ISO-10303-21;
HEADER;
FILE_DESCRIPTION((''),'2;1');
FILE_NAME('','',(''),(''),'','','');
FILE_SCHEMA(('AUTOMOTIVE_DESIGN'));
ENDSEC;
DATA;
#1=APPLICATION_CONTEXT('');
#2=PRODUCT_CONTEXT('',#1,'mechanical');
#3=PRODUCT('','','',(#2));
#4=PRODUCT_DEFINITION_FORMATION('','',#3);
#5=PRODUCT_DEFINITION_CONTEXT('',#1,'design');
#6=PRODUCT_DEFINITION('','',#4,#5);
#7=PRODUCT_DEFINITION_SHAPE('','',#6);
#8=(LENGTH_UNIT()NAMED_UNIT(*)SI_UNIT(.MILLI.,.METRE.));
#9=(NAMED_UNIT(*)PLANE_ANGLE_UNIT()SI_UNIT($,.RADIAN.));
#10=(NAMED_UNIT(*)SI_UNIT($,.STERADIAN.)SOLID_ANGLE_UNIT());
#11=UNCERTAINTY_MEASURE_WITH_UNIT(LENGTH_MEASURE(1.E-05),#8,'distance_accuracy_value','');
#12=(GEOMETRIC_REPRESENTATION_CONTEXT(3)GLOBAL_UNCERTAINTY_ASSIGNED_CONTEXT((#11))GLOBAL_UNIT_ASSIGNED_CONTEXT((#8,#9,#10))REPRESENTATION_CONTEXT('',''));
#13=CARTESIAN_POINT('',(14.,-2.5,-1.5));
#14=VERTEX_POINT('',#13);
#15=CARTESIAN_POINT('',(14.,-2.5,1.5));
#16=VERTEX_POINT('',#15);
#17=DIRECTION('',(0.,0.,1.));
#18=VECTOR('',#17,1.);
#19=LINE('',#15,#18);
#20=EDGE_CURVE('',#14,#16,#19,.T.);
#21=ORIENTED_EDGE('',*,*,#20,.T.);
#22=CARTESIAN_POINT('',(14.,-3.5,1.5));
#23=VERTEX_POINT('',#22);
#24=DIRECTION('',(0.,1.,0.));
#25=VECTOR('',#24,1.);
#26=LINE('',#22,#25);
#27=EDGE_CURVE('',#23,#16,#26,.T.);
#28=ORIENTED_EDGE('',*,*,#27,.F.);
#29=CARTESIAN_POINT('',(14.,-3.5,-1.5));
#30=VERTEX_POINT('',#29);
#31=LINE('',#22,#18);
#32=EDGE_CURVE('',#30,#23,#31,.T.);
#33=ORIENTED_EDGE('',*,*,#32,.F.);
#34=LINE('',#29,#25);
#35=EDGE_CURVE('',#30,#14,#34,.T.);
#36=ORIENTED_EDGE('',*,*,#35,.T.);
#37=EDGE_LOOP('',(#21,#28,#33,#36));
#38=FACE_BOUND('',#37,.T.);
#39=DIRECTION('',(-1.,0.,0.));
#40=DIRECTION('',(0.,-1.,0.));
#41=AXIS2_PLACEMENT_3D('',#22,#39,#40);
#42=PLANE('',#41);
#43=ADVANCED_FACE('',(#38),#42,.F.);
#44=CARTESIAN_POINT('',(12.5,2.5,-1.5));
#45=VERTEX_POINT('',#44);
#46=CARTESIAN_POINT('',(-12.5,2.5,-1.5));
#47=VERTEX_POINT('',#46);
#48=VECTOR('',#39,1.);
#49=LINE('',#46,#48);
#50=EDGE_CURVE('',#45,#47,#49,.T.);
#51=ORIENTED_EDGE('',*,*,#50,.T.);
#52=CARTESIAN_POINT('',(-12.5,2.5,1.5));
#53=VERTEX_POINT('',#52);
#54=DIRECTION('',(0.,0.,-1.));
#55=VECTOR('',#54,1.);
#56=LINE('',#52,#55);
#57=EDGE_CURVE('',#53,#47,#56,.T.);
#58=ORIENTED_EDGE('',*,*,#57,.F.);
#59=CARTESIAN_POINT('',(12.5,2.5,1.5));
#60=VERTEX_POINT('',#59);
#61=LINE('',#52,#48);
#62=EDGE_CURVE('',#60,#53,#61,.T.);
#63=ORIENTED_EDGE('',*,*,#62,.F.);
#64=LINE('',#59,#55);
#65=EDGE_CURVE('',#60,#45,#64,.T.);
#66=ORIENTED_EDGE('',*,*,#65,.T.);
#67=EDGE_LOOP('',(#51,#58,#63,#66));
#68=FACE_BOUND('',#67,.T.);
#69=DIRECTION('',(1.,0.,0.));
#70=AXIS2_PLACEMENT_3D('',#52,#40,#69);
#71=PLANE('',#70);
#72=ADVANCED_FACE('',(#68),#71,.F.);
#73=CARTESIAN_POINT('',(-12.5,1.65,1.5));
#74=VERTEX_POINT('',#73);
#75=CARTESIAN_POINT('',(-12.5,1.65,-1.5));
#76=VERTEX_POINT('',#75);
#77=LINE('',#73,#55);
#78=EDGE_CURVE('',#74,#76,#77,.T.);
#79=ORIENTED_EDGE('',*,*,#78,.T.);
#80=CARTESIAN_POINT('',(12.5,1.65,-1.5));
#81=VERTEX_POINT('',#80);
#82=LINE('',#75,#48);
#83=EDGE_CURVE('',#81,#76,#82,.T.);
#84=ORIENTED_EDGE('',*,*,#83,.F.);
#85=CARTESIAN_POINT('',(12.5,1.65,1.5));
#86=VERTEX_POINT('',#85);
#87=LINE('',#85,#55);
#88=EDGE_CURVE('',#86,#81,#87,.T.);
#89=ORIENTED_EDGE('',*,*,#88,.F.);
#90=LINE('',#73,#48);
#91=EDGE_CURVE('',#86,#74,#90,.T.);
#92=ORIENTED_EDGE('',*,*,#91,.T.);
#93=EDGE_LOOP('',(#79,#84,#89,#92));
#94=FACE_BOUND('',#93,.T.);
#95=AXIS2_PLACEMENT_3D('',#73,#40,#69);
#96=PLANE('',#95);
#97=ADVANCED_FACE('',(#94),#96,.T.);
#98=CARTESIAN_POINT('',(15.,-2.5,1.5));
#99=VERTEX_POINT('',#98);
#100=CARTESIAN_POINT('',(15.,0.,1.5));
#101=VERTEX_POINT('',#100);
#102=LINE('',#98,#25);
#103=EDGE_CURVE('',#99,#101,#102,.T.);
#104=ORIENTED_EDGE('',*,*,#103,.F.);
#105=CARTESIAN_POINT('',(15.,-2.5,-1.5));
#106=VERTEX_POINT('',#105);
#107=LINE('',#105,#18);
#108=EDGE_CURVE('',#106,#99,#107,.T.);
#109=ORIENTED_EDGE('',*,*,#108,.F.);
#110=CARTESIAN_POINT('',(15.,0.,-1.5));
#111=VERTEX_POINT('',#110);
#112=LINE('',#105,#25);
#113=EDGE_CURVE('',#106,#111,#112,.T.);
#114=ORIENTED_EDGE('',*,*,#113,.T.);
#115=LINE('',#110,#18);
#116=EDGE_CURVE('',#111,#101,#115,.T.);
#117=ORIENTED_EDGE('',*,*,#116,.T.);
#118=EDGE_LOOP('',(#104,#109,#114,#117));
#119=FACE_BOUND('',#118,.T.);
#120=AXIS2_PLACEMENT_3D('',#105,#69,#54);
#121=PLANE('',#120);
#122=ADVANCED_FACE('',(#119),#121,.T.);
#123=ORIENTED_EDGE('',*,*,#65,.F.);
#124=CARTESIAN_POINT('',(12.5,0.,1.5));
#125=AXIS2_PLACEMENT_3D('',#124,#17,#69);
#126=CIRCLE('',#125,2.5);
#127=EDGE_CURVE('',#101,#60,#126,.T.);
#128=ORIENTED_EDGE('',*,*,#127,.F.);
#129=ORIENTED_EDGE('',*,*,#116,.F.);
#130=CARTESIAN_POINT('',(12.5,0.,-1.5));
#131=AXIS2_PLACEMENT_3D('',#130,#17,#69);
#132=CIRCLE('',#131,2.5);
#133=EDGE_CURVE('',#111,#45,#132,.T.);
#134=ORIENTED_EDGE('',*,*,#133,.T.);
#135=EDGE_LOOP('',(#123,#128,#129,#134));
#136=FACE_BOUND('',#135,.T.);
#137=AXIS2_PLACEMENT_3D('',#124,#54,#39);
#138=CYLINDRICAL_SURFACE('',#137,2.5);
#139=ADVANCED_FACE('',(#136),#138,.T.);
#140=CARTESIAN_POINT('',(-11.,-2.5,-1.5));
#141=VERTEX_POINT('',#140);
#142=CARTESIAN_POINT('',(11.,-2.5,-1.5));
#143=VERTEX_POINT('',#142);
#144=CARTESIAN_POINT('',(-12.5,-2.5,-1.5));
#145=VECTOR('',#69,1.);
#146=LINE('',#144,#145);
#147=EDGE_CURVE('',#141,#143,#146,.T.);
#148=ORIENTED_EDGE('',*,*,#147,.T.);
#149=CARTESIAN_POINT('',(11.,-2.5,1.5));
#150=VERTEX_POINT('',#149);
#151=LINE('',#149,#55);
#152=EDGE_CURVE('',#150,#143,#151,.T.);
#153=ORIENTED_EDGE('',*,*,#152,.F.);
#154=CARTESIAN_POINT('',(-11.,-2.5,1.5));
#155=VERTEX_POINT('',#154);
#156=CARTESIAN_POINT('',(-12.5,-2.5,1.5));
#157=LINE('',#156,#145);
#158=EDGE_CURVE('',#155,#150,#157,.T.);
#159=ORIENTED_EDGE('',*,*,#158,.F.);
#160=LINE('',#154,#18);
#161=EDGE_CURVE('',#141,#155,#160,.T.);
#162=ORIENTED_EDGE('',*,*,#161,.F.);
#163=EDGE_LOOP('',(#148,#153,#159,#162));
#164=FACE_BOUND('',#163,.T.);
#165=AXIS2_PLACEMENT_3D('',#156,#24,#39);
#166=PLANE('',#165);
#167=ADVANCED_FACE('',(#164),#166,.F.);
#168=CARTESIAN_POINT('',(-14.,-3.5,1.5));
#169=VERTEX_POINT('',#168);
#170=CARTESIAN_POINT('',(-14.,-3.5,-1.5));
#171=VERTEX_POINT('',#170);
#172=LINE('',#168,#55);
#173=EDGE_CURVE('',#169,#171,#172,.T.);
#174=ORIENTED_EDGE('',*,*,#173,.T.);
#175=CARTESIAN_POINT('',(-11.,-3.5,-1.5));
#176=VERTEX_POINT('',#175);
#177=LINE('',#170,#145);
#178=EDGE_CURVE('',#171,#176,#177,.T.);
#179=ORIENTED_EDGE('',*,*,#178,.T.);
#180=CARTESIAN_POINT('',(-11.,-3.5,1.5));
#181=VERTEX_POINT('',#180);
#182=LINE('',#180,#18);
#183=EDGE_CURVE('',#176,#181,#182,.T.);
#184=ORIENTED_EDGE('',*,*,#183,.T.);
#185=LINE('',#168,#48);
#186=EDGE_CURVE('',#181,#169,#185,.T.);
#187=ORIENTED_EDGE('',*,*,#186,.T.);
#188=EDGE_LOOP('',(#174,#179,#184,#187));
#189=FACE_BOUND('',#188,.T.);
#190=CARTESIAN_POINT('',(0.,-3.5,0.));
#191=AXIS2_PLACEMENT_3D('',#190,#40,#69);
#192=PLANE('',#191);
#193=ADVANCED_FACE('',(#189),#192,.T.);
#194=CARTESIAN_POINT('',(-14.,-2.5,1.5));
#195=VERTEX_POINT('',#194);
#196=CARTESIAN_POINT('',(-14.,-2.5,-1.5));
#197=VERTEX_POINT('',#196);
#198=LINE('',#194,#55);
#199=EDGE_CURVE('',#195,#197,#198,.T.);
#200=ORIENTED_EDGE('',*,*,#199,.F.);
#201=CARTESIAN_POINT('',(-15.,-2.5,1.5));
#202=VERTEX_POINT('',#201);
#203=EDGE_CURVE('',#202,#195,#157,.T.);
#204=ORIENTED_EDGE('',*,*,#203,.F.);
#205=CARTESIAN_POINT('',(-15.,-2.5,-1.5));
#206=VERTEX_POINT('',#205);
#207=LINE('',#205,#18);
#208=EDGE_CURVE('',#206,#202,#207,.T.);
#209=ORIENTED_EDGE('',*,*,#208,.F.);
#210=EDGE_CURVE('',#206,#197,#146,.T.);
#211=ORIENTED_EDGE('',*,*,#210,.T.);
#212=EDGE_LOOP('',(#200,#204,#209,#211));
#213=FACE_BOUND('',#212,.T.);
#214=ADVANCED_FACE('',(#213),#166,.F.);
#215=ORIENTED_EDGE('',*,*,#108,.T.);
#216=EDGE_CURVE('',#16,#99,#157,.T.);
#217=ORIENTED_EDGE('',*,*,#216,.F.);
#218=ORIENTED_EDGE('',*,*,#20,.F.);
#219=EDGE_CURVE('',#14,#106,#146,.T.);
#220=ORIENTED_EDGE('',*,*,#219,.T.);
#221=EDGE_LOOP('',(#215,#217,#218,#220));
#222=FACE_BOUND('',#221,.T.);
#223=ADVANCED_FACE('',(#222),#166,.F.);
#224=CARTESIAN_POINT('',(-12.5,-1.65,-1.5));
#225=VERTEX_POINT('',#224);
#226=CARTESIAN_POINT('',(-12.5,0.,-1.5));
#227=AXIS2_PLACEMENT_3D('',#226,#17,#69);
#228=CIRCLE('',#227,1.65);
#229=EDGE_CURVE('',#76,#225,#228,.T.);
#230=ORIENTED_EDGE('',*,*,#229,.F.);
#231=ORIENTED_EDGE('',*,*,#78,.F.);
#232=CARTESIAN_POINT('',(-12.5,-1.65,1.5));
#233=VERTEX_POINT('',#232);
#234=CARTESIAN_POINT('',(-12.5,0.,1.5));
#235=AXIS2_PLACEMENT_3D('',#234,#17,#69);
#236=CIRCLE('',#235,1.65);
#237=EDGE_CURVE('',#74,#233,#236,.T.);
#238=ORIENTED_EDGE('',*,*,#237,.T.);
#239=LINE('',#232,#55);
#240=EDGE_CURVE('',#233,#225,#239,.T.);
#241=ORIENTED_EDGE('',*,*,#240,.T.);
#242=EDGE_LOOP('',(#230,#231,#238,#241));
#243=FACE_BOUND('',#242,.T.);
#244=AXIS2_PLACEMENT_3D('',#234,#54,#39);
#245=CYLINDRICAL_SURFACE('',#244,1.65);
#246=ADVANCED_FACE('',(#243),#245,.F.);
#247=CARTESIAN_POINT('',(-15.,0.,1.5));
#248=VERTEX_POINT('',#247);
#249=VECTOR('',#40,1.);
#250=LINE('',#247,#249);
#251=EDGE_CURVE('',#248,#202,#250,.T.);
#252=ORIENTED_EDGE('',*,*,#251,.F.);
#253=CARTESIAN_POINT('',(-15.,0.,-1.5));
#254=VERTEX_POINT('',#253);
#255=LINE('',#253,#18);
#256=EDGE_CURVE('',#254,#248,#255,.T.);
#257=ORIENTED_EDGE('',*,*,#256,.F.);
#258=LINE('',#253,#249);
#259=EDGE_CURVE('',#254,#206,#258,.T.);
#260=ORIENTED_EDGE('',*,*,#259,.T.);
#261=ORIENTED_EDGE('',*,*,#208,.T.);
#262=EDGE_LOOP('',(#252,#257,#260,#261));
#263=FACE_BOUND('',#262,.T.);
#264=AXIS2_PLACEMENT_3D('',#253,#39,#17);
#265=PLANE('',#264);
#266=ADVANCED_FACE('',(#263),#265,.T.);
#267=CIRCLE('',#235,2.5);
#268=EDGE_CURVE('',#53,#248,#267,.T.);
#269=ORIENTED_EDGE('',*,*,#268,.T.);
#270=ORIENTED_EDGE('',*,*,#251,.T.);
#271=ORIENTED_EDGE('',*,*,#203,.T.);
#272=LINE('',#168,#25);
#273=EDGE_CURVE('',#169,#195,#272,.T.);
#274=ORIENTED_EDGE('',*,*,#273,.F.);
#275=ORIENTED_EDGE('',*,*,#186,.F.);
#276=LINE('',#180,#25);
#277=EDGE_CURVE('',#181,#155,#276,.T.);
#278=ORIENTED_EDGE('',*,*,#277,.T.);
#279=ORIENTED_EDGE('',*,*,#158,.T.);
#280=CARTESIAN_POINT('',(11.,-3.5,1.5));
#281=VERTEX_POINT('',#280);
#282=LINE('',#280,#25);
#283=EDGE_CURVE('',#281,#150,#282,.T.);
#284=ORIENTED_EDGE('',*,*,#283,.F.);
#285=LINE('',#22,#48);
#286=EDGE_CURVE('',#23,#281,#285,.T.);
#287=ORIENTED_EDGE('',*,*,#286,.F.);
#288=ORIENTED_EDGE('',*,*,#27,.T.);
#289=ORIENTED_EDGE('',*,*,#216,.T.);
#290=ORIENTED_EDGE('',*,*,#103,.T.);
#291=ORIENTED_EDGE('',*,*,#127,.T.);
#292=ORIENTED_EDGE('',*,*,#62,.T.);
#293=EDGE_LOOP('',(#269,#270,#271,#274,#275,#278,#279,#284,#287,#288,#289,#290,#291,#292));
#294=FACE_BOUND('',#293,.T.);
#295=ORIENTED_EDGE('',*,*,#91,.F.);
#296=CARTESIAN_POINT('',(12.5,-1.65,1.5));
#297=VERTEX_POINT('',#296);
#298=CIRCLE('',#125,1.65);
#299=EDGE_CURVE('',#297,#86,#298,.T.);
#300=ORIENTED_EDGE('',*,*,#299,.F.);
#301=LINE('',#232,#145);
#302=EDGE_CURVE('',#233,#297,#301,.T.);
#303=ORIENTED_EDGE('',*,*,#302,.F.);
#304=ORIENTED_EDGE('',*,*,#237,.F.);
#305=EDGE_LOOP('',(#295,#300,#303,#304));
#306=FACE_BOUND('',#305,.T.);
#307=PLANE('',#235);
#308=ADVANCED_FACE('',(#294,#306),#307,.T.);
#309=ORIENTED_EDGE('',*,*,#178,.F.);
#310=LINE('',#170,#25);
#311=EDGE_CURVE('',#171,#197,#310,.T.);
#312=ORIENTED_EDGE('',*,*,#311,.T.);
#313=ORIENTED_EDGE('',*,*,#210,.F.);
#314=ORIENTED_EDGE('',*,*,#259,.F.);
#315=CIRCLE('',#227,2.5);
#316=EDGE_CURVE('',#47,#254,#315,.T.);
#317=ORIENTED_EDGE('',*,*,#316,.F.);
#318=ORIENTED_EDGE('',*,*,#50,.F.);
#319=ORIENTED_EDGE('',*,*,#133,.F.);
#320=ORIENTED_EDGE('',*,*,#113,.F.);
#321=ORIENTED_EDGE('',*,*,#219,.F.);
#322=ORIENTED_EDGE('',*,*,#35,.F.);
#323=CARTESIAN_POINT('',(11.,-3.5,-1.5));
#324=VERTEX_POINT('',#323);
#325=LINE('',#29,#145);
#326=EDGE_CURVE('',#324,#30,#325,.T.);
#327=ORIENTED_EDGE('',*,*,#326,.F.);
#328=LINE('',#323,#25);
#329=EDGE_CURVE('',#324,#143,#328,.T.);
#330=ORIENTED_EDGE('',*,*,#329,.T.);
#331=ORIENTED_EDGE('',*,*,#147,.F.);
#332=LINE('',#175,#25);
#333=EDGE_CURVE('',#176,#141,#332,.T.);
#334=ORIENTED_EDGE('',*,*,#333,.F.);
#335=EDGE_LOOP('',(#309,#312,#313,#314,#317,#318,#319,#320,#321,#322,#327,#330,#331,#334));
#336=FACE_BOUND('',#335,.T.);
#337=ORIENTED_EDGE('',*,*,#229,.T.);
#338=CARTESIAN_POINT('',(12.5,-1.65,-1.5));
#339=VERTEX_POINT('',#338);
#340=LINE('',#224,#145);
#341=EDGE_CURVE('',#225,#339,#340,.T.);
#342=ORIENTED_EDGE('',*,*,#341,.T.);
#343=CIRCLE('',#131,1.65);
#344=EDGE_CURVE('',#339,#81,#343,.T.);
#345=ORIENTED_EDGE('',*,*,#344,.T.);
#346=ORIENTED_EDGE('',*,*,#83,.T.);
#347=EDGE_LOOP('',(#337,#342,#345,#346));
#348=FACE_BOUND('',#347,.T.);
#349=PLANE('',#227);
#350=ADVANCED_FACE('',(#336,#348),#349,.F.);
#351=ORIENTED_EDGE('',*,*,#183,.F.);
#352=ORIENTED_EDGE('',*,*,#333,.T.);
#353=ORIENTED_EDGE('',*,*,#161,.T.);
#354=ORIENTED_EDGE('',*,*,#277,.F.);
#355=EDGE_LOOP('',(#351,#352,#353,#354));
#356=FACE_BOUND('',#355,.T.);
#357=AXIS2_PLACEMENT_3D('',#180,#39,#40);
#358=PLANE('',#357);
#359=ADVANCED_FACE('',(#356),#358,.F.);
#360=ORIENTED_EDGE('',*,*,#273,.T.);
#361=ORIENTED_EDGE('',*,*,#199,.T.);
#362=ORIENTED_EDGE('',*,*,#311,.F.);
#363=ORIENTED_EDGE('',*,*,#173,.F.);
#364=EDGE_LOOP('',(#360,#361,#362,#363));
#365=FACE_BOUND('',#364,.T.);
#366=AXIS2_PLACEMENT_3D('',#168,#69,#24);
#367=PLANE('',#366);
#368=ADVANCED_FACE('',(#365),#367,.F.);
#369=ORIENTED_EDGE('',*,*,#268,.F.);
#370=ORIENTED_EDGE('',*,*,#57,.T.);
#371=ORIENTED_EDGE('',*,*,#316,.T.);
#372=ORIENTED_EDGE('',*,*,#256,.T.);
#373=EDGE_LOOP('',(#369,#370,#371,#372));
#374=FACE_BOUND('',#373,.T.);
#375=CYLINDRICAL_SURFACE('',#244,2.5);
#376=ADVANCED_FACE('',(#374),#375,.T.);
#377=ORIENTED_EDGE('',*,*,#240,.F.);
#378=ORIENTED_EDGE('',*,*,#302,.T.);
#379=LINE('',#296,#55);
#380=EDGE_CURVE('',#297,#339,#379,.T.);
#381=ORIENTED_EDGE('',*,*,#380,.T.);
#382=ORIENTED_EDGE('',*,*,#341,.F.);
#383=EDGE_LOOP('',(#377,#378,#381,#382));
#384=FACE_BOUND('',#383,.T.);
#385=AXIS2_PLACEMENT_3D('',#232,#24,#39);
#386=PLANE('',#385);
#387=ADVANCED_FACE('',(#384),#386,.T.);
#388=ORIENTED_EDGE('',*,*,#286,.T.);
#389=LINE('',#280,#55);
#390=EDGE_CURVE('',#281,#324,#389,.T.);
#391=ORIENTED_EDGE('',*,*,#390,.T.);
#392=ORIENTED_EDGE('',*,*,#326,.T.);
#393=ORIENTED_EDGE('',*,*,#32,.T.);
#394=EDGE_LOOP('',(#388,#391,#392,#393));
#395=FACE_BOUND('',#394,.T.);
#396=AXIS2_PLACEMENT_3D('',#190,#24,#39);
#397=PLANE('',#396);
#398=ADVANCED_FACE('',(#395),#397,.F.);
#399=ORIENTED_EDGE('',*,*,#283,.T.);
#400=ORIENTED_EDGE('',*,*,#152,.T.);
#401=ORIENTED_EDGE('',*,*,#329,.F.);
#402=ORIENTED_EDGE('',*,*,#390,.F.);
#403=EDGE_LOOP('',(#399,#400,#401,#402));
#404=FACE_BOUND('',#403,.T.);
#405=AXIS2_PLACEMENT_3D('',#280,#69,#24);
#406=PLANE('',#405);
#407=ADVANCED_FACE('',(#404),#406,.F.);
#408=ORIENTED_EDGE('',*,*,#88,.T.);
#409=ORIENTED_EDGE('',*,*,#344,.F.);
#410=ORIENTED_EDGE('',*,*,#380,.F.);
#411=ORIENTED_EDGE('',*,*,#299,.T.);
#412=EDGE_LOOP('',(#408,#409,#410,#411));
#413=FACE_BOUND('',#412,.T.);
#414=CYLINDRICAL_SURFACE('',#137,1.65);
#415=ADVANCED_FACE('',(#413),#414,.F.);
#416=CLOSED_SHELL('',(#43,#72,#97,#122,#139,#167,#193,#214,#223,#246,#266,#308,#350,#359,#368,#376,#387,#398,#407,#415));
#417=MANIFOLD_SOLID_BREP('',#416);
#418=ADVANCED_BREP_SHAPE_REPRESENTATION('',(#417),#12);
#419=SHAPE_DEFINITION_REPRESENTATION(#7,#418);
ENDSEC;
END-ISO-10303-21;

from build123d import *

# Parameters (mm, degrees)
BOSS_EXTRUDE1_DEPTH = 1.5
BOSS_EXTRUDE2_DEPTH = 3
SKETCH3_W           = 3
SKETCH3_H           = 3
BOSS_EXTRUDE3_DEPTH = 1


with BuildPart() as part:
    # Sketch1 → Boss-Extrude1 (new body, symmetric)
    with BuildSketch(Plane.XY):
        with BuildLine():
            Line((-12.5, 2.5), (12.5, 2.5))
            ThreePointArc((12.5, 2.5), (15, 0), (12.5, -2.5))
            Line((12.5, -2.5), (-12.5, -2.5))
            ThreePointArc((-12.5, -2.5), (-15, 0), (-12.5, 2.5))
        make_face()
        with BuildLine():
            Line((-12.5, 1.65), (12.5, 1.65))
            ThreePointArc((12.5, 1.65), (14.15, 0), (12.5, -1.65))
            Line((12.5, -1.65), (-12.5, -1.65))
            ThreePointArc((-12.5, -1.65), (-14.15, 0), (-12.5, 1.65))
        make_face(mode=Mode.SUBTRACT)
    extrude(amount=BOSS_EXTRUDE1_DEPTH, both=True)

    # Sketch2 → Boss-Extrude2 (add)
    with BuildSketch(Plane.XY.offset(1.5)):
        with BuildLine():
            Line((-15, 0), (-15, -2.5))
            Line((-15, -2.5), (-12.5, -2.5))
            ThreePointArc((-12.5, -2.5), (-14.267766953, -1.767766953), (-15, 0))
        make_face()
        with BuildLine():
            Line((12.5, -2.5), (15, -2.5))
            Line((15, -2.5), (15, 0))
            ThreePointArc((15, 0), (14.267766953, -1.767766953), (12.5, -2.5))
        make_face()
    extrude(amount=-BOSS_EXTRUDE2_DEPTH)

    # Sketch3 → Boss-Extrude3 (add)
    with BuildSketch(Plane.XZ.offset(2.5)):
        with Locations((-12.5, 0)):
            Rectangle(SKETCH3_W, SKETCH3_H)
        with Locations((12.5, 0)):
            Rectangle(SKETCH3_W, SKETCH3_H)
    extrude(amount=BOSS_EXTRUDE3_DEPTH)


solid = part.part
